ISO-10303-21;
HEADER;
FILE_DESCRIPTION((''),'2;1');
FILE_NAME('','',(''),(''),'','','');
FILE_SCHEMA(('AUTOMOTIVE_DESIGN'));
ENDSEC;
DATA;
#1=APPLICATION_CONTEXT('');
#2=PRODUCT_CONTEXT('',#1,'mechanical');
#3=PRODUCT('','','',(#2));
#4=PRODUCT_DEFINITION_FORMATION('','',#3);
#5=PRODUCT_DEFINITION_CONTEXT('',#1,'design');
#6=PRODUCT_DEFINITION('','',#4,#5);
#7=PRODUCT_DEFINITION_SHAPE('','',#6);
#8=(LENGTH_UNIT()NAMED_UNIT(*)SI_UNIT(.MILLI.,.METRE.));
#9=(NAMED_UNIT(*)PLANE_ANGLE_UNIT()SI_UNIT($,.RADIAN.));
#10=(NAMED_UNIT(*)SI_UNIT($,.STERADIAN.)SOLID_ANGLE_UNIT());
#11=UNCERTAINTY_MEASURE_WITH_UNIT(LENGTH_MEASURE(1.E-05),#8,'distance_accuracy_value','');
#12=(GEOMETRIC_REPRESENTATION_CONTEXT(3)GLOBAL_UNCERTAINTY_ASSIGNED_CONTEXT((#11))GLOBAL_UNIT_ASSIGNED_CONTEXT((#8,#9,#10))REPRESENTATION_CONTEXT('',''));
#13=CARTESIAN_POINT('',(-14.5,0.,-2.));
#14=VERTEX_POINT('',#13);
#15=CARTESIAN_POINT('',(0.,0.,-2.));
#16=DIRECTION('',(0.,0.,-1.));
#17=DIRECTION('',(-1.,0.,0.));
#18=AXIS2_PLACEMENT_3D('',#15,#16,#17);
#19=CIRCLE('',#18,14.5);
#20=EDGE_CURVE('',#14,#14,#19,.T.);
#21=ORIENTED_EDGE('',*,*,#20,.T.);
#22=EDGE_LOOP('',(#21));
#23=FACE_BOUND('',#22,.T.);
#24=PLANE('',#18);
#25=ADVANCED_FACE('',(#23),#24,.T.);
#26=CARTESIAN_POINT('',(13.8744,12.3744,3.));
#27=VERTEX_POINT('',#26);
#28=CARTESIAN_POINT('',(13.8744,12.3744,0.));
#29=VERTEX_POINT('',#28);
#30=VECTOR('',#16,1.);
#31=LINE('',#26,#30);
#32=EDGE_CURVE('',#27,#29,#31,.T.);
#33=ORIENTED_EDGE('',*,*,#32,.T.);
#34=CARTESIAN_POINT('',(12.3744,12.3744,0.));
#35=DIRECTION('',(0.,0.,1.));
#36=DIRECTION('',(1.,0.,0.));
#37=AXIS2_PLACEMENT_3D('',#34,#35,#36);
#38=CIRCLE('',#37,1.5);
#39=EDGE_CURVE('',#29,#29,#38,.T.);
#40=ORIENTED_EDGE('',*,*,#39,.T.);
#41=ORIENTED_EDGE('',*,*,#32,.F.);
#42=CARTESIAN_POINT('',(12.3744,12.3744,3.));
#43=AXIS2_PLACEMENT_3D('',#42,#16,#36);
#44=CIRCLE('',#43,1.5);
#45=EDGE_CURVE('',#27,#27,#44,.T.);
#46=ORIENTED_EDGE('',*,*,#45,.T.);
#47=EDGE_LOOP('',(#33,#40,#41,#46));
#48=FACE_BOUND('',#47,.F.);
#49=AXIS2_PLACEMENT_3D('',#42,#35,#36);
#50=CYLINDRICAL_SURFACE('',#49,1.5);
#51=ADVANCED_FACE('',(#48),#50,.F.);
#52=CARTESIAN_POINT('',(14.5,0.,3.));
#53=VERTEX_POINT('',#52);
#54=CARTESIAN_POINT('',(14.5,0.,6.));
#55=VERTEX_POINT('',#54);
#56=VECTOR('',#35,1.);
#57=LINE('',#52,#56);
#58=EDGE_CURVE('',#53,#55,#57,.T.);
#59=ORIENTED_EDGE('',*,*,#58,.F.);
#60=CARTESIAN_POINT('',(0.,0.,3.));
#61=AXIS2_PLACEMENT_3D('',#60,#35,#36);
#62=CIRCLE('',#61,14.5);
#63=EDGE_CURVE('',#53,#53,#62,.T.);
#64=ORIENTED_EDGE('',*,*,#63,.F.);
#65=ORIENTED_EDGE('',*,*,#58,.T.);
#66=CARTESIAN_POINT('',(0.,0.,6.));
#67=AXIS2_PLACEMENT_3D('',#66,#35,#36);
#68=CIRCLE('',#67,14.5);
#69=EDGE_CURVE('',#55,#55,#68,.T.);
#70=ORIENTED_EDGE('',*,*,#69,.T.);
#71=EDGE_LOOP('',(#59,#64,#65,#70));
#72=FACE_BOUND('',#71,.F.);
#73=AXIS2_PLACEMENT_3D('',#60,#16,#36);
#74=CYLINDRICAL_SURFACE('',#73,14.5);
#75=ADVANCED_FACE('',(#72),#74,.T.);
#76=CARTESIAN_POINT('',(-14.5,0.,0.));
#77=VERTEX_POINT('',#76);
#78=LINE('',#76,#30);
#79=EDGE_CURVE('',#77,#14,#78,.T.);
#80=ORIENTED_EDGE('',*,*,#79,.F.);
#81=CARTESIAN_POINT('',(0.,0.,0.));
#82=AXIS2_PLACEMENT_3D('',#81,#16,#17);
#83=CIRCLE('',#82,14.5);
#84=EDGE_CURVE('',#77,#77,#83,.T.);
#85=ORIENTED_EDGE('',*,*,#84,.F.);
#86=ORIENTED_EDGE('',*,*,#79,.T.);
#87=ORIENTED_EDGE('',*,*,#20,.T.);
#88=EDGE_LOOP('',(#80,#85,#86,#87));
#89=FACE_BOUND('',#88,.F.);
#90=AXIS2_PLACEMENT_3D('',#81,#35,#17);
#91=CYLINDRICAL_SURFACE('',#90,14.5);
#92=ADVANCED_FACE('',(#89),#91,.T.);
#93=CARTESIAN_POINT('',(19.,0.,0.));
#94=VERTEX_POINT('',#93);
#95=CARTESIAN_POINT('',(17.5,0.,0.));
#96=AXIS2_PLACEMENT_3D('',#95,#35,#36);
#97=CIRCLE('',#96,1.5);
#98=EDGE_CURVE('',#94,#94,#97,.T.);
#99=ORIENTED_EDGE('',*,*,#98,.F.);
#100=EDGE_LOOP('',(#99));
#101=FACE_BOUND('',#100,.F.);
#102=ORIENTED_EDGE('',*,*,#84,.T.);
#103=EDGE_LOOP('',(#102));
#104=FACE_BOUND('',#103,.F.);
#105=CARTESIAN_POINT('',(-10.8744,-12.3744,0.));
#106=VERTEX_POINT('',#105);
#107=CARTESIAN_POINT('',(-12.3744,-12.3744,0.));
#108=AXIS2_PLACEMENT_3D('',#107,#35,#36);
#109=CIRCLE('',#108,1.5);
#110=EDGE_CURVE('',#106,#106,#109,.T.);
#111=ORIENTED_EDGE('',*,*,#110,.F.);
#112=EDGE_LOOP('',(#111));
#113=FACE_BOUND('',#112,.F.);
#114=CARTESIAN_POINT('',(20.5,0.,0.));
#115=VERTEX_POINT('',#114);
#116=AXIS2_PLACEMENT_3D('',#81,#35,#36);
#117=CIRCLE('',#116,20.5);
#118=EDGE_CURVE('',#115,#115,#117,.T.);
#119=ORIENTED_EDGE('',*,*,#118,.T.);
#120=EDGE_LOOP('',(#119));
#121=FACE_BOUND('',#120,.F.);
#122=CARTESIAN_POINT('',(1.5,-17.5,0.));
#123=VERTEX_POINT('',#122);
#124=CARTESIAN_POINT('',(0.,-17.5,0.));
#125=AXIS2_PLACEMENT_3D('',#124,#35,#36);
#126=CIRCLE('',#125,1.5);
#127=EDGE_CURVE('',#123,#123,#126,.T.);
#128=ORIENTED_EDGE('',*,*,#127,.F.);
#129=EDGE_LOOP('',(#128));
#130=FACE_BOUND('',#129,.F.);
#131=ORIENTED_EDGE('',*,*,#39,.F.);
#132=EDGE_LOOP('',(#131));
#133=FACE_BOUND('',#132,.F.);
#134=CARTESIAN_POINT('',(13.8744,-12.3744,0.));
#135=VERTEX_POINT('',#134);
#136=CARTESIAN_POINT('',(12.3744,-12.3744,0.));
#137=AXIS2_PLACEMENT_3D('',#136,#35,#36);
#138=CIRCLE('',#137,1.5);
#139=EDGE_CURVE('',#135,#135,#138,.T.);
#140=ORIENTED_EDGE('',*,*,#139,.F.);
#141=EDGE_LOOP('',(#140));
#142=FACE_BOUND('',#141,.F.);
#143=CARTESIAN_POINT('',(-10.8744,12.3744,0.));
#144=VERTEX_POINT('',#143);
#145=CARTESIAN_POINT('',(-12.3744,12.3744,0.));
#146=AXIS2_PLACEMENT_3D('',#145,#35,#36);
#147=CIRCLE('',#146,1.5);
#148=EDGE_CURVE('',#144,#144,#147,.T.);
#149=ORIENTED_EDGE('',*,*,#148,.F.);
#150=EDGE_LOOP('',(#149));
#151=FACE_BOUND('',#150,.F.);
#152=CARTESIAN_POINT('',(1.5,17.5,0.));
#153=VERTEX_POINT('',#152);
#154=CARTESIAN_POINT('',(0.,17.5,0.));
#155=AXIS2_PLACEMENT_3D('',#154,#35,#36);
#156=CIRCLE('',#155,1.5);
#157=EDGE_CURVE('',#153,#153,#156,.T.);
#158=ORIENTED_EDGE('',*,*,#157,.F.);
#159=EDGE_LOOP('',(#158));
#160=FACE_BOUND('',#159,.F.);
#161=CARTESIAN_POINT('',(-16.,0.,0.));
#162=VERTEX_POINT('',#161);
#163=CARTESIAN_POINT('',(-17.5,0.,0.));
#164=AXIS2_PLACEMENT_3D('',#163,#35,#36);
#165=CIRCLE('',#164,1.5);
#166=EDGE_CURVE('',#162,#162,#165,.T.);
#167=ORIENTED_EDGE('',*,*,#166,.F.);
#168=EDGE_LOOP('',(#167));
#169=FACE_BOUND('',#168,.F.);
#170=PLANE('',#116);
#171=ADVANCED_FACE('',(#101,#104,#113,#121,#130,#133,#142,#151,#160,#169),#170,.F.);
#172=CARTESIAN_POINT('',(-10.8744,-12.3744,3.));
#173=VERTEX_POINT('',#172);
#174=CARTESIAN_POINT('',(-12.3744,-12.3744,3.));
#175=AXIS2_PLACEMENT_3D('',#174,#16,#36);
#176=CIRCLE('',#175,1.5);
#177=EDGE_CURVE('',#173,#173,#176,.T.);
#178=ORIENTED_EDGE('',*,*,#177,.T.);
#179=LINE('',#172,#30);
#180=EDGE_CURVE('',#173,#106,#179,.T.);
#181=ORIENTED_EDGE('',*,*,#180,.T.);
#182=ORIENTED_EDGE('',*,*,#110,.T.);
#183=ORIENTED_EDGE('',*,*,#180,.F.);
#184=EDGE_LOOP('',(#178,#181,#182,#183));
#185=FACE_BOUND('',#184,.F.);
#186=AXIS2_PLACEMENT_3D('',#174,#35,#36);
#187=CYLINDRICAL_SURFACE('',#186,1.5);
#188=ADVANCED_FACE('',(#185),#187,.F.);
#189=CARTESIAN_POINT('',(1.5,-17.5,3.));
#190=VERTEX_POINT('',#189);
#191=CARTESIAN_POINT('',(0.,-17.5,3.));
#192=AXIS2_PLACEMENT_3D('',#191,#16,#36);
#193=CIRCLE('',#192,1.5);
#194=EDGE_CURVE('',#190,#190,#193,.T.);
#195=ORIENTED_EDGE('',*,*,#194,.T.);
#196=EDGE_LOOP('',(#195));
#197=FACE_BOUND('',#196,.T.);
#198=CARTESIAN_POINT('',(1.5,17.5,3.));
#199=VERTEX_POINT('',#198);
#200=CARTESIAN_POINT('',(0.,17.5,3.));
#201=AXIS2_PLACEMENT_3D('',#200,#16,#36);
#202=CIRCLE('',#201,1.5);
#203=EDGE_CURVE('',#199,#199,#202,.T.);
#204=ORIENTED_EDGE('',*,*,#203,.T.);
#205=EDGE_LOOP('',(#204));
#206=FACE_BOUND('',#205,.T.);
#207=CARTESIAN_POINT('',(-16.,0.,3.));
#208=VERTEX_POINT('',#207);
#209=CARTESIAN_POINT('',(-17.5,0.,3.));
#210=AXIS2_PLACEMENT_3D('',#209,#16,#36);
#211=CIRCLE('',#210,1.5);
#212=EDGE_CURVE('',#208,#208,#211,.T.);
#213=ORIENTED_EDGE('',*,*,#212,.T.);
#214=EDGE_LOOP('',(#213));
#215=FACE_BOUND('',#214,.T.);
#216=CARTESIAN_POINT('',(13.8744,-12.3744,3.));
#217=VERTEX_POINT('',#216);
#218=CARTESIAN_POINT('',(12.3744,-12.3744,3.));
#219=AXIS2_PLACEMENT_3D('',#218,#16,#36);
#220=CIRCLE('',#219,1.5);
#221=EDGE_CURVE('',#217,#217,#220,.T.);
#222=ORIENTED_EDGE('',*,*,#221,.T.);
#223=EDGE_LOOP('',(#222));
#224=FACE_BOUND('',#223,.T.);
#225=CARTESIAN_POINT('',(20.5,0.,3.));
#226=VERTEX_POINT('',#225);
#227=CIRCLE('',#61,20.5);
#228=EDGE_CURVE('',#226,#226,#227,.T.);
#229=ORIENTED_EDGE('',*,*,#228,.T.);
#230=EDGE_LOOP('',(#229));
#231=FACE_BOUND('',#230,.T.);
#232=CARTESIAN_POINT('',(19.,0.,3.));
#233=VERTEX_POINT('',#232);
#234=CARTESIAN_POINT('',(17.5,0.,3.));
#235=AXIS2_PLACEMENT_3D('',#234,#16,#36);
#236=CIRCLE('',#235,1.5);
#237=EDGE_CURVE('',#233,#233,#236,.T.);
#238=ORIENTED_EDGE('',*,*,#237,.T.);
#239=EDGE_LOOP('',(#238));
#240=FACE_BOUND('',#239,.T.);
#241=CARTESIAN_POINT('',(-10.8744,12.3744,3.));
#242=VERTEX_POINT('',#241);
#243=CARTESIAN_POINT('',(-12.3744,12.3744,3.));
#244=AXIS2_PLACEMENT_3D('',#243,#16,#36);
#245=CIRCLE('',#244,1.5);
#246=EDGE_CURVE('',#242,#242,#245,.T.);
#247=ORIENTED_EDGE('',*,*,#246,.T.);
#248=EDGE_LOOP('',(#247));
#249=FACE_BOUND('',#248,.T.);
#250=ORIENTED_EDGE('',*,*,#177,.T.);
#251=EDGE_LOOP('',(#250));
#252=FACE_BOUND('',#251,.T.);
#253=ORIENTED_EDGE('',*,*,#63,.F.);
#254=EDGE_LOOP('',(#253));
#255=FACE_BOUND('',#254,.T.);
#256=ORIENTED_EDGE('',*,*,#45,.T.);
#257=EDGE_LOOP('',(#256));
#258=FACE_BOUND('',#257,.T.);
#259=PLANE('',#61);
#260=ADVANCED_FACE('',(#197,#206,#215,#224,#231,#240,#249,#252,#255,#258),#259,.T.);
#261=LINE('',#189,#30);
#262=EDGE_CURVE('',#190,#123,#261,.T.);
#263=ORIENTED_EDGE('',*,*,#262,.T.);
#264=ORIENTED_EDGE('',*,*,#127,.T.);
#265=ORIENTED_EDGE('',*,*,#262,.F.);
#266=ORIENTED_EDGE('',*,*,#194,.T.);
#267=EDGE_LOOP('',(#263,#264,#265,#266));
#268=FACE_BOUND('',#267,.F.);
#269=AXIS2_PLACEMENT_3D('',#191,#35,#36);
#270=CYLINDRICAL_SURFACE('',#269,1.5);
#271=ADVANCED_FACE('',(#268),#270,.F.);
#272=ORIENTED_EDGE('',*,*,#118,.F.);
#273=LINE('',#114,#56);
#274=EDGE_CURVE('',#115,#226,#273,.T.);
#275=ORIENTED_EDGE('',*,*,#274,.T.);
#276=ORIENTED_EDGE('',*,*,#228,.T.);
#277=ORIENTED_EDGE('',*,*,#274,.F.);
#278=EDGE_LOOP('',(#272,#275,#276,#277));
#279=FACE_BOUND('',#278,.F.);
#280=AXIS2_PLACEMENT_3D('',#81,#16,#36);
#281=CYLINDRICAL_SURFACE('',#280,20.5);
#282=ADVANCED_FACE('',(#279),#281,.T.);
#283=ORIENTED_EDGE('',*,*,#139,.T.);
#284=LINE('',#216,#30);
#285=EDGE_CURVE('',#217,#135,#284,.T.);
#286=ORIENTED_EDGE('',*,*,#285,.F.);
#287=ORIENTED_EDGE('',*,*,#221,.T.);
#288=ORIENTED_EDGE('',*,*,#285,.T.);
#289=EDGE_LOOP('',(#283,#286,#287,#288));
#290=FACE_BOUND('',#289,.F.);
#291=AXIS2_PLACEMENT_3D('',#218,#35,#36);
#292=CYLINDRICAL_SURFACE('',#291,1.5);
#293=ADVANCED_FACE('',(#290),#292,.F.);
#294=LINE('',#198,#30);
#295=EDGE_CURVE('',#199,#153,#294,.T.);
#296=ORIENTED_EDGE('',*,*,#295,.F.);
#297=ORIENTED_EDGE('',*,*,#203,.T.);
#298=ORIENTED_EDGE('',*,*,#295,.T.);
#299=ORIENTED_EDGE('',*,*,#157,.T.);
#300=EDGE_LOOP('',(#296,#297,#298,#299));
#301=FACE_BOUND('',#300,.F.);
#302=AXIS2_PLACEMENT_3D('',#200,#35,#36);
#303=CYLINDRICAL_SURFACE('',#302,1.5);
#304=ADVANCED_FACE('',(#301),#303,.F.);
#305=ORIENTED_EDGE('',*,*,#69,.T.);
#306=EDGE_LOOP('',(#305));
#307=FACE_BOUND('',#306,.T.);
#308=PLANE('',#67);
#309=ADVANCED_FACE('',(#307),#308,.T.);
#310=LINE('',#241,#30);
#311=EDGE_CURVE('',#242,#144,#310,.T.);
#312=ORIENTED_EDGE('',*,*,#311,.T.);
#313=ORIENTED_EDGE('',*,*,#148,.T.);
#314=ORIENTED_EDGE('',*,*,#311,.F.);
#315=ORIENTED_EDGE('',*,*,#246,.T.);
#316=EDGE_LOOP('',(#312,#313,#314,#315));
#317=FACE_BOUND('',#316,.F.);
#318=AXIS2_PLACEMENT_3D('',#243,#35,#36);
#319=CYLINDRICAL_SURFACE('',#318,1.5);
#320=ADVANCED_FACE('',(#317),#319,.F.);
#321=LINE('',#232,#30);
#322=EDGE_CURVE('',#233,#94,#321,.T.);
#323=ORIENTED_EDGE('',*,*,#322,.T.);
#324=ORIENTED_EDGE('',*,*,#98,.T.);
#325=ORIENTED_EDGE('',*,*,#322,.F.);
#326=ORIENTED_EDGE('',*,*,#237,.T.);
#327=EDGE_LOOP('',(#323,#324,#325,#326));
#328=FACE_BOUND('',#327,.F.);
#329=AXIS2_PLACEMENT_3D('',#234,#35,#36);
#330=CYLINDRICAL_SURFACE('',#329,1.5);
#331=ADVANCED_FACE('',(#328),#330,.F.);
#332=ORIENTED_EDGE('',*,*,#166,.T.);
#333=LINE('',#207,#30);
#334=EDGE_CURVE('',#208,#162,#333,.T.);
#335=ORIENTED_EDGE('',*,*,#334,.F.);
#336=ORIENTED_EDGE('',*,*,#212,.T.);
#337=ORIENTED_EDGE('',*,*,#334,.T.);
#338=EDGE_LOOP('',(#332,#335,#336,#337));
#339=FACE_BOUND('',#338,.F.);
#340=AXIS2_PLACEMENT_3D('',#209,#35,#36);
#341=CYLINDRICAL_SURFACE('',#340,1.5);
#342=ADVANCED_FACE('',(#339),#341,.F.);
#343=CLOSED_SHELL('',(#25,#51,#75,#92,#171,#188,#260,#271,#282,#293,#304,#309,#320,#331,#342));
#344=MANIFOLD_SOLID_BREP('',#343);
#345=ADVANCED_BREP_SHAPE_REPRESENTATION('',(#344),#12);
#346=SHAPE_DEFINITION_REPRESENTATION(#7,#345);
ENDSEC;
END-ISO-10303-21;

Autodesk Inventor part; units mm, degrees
ref_plane "YZ Plane" through (0, 0, 0) normal (1, 0, 0) x (0, 1, 0)
ref_plane "XZ Plane" through (0, 0, 0) normal (0, 1, 0) x (-1, 0, 0)
ref_plane "XY Plane" through (0, 0, 0) normal (0, 0, 1) x (1, 0, 0)
sketch "Sketch1" plane through (0, 0, 0) normal (0, 0, 1) x (1, 0, 0)
  circle A0 centre (0, 0) radius 20.5
  dimension "d0" = 41
extrude "Extrusion1" add sketch "Sketch1" along normal blind 3
sketch "Sketch2" plane through (0, 0, 3) normal (0, 0, 1) x (1, 0, 0)
  circle A0 centre (0, 0) radius 20.5 projected
  circle A1 centre (0, 0) radius 14.5
  dimension "d3" = 29
extrude "Extrusion2" add sketch "Sketch2" along normal blind 3 contours A1
sketch "Sketch3" plane through (0, 0, 0) normal (0, 0, -1) x (-1, 0, 0)
  circle A0 centre (0, 0) radius 20.5 projected
  circle A1 centre (0, 0) radius 14.5
  dimension "d6" = 29
extrude "Extrusion3" add sketch "Sketch3" along normal blind 2 contours A1
sketch "Sketch4" plane through (0, 0, 3) normal (0, 0, 1) x (1, 0, 0)
  circle A0 centre (0, 0) radius 14.5 projected
  circle A1 centre (0, 0) radius 20.5 projected
  circle A2 centre (0, 0) radius 17.5
  circle A3 centre (0, 17.5) radius 1.5
  circle A4 centre (-12.3744, 12.3744) radius 1.5
  circle A5 centre (-17.5, 0) radius 1.5
  circle A6 centre (-12.3744, -12.3744) radius 1.5
  circle A7 centre (0, -17.5) radius 1.5
  circle A8 centre (12.3744, -12.3744) radius 1.5
  circle A9 centre (17.5, 0) radius 1.5
  circle A10 centre (12.3744, 12.3744) radius 1.5
  dimension "d9" = 35
  dimension "d10" = 3
  dimension "d13" = 360
extrude "Extrusion4" cut sketch "Sketch4" against normal through all contours A2 A9 | A2 A9 | A10 A2 | A2 A10 | A8 A2 | A2 A8 | A3 A2 | A2 A3 | A7 A2 | A2 A7 | A4 A2 | A2 A4 | A6 A2 | A2 A6 | A5 A2 | A2 A5
properties part number "07 CYLINDER FRONT COVER" material "Steel AISI 1020 107 HR"
